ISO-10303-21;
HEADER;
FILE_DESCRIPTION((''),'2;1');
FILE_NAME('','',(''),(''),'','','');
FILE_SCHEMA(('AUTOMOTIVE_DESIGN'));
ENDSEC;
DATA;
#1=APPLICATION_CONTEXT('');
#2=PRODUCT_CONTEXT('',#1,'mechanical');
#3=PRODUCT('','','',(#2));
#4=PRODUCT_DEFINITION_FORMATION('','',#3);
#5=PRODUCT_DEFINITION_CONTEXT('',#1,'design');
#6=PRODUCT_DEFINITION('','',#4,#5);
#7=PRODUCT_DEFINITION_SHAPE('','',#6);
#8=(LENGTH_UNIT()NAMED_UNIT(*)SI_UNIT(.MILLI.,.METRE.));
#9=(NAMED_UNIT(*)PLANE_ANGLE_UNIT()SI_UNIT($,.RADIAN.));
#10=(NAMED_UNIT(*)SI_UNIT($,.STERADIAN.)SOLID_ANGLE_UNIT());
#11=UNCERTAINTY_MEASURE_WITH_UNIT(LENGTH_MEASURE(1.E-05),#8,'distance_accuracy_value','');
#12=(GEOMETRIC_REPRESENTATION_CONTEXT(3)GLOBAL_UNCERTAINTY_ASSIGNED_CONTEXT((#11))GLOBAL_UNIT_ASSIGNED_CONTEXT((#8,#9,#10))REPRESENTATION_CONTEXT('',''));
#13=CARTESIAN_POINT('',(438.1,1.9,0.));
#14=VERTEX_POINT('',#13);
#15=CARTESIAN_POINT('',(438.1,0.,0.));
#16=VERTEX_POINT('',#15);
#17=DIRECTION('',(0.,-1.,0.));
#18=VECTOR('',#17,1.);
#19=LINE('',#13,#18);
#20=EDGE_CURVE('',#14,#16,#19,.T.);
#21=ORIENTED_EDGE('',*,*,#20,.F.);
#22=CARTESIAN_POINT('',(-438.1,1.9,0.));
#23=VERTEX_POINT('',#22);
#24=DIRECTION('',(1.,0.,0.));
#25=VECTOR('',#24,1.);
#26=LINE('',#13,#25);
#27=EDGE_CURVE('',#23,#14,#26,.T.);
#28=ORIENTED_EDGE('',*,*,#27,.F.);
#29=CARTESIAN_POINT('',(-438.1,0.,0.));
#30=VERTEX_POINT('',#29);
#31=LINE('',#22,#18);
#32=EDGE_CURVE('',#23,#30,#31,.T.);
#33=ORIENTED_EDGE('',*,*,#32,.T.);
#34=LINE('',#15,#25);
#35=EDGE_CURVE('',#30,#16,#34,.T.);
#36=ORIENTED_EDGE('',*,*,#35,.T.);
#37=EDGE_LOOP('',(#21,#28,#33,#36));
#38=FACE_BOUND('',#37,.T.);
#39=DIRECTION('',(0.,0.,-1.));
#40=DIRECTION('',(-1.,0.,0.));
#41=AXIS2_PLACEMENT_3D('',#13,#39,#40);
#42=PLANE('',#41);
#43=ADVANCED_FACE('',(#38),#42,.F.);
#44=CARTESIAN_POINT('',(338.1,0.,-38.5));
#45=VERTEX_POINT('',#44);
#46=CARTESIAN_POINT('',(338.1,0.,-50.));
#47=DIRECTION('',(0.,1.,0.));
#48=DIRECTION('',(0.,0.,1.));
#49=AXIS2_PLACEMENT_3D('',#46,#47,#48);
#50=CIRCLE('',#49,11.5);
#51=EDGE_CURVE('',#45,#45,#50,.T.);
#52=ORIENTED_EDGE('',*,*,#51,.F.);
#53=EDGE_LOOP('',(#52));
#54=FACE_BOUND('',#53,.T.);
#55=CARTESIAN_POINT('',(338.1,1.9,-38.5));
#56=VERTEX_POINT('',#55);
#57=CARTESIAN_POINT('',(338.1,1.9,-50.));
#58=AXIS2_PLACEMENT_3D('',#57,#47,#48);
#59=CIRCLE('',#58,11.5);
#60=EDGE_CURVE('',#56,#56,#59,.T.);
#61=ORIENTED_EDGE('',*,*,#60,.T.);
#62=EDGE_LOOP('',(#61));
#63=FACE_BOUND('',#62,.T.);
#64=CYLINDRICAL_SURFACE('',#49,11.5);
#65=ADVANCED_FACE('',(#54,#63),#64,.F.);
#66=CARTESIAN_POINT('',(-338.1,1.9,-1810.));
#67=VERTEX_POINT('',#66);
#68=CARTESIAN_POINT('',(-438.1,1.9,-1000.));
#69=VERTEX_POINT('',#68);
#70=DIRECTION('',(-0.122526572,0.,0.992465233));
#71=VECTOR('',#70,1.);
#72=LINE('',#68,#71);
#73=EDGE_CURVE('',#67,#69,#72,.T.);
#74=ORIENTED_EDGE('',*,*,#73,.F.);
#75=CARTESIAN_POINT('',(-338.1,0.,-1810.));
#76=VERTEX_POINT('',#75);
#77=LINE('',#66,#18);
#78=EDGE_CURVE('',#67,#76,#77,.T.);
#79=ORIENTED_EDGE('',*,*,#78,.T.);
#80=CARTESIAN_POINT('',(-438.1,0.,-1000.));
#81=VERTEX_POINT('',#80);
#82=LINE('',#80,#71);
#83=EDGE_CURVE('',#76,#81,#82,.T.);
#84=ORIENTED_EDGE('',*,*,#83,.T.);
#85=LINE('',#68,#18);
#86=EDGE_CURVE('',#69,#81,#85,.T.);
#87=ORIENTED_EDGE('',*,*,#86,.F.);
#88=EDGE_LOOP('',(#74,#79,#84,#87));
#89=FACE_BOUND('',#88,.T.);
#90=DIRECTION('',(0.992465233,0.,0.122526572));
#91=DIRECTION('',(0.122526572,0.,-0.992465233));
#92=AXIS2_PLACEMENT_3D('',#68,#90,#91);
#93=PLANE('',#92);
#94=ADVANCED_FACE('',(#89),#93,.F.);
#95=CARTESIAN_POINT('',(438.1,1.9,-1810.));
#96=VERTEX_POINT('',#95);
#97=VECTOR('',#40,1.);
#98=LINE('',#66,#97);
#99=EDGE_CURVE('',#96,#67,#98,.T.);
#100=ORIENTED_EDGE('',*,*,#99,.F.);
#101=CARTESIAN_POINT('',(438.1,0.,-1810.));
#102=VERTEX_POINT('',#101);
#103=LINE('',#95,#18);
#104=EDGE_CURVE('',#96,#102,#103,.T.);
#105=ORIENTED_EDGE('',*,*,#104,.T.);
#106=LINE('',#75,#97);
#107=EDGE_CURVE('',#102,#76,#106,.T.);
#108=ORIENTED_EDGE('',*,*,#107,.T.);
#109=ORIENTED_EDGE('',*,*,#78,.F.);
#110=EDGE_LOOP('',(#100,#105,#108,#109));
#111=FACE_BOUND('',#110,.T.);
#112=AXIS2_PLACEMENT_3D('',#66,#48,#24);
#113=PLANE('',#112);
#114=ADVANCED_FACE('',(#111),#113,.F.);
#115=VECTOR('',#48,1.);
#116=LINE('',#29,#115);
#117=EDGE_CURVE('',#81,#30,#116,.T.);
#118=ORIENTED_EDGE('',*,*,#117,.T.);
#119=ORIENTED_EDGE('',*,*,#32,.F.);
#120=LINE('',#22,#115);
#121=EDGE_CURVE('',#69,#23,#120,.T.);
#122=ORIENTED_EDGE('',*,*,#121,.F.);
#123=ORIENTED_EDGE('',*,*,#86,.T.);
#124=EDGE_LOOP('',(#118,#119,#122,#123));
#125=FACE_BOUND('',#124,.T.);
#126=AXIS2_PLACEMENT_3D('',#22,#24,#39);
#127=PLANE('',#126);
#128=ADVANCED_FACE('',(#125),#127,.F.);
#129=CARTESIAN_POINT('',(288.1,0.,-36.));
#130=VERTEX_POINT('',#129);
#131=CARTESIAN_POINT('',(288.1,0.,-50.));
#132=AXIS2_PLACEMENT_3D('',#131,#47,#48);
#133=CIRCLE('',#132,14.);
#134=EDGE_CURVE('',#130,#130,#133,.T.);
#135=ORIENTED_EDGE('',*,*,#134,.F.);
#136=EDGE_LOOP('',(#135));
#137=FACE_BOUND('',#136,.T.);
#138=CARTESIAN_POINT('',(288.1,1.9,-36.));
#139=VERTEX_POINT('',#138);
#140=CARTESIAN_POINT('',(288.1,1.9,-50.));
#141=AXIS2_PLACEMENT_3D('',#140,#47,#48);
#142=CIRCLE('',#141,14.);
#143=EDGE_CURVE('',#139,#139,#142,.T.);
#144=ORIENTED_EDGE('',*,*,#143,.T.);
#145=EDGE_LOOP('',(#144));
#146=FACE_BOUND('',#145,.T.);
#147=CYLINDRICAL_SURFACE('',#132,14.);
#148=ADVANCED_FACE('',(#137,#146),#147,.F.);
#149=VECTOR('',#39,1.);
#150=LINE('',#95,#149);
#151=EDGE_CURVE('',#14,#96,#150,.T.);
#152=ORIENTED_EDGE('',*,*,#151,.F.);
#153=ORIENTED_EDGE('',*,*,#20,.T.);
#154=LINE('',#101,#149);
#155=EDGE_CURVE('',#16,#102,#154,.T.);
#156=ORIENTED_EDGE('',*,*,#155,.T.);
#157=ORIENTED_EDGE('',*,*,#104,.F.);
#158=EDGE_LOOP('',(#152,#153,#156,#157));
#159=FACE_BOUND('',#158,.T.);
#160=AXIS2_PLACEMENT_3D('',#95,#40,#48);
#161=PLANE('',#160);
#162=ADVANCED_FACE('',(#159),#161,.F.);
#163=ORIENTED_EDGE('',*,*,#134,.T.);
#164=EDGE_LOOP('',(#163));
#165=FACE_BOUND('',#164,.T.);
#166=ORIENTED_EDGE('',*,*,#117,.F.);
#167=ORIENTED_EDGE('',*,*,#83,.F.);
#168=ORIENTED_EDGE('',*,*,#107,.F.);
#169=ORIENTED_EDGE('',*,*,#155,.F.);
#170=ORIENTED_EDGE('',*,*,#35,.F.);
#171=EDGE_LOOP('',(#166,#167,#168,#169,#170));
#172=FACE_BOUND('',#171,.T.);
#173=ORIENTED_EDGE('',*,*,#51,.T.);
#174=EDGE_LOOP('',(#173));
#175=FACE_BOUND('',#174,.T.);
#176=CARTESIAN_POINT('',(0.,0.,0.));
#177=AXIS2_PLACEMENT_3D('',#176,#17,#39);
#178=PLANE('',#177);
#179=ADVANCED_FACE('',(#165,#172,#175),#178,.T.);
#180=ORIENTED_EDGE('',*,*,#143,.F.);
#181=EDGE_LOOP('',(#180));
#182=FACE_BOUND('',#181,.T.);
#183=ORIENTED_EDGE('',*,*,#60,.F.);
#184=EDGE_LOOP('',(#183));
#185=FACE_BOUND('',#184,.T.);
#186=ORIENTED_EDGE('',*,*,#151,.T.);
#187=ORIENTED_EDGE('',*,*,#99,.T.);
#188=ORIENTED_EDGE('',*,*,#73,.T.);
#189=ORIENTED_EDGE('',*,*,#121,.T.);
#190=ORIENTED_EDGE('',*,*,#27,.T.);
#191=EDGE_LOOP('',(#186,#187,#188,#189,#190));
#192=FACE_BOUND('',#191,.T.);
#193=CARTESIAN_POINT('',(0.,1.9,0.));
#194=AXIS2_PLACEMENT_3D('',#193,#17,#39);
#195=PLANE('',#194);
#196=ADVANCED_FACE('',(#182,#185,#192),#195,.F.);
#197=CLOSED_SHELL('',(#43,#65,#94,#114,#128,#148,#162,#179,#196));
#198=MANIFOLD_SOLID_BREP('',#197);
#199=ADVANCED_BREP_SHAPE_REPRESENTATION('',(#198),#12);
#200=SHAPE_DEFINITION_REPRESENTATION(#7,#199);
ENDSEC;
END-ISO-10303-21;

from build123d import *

# Parameters (mm, degrees)
SALIENTE_EXTRUIR1_DEPTH    = 1.9
CROQUIS3_R                 = 11.5
CROQUIS3_R_2               = 14
CORTAR_EXTRUIR1_DEPTH      = 1
CORTAR_EXTRUIR1_DEPTH_BACK = 2.9


with BuildPart() as part:
    # Croquis2 → Saliente-Extruir1 (new body)
    with BuildSketch(Plane(origin=(0, 0, 0), x_dir=(1, 0, 0), z_dir=(0, 1, 0))):
        Polygon((438.1, 0), (-438.1, 0), (-438.1, 1000), (-338.1, 1810), (438.1, 1810), align=None)
    extrude(amount=SALIENTE_EXTRUIR1_DEPTH)

    # Croquis3 → Cortar-Extruir1 (cut, two sides)
    with BuildSketch(Plane(origin=(0, 1.9, 0), x_dir=(1, 0, 0), z_dir=(0, 1, 0))) as cortar_extruir1_sk:
        with Locations((338.1, 50)):
            Circle(CROQUIS3_R)
        with Locations((288.1, 50)):
            Circle(CROQUIS3_R_2)
    extrude(amount=CORTAR_EXTRUIR1_DEPTH, mode=Mode.SUBTRACT)
    extrude(cortar_extruir1_sk.sketch, amount=-CORTAR_EXTRUIR1_DEPTH_BACK, mode=Mode.SUBTRACT)


solid = part.part
